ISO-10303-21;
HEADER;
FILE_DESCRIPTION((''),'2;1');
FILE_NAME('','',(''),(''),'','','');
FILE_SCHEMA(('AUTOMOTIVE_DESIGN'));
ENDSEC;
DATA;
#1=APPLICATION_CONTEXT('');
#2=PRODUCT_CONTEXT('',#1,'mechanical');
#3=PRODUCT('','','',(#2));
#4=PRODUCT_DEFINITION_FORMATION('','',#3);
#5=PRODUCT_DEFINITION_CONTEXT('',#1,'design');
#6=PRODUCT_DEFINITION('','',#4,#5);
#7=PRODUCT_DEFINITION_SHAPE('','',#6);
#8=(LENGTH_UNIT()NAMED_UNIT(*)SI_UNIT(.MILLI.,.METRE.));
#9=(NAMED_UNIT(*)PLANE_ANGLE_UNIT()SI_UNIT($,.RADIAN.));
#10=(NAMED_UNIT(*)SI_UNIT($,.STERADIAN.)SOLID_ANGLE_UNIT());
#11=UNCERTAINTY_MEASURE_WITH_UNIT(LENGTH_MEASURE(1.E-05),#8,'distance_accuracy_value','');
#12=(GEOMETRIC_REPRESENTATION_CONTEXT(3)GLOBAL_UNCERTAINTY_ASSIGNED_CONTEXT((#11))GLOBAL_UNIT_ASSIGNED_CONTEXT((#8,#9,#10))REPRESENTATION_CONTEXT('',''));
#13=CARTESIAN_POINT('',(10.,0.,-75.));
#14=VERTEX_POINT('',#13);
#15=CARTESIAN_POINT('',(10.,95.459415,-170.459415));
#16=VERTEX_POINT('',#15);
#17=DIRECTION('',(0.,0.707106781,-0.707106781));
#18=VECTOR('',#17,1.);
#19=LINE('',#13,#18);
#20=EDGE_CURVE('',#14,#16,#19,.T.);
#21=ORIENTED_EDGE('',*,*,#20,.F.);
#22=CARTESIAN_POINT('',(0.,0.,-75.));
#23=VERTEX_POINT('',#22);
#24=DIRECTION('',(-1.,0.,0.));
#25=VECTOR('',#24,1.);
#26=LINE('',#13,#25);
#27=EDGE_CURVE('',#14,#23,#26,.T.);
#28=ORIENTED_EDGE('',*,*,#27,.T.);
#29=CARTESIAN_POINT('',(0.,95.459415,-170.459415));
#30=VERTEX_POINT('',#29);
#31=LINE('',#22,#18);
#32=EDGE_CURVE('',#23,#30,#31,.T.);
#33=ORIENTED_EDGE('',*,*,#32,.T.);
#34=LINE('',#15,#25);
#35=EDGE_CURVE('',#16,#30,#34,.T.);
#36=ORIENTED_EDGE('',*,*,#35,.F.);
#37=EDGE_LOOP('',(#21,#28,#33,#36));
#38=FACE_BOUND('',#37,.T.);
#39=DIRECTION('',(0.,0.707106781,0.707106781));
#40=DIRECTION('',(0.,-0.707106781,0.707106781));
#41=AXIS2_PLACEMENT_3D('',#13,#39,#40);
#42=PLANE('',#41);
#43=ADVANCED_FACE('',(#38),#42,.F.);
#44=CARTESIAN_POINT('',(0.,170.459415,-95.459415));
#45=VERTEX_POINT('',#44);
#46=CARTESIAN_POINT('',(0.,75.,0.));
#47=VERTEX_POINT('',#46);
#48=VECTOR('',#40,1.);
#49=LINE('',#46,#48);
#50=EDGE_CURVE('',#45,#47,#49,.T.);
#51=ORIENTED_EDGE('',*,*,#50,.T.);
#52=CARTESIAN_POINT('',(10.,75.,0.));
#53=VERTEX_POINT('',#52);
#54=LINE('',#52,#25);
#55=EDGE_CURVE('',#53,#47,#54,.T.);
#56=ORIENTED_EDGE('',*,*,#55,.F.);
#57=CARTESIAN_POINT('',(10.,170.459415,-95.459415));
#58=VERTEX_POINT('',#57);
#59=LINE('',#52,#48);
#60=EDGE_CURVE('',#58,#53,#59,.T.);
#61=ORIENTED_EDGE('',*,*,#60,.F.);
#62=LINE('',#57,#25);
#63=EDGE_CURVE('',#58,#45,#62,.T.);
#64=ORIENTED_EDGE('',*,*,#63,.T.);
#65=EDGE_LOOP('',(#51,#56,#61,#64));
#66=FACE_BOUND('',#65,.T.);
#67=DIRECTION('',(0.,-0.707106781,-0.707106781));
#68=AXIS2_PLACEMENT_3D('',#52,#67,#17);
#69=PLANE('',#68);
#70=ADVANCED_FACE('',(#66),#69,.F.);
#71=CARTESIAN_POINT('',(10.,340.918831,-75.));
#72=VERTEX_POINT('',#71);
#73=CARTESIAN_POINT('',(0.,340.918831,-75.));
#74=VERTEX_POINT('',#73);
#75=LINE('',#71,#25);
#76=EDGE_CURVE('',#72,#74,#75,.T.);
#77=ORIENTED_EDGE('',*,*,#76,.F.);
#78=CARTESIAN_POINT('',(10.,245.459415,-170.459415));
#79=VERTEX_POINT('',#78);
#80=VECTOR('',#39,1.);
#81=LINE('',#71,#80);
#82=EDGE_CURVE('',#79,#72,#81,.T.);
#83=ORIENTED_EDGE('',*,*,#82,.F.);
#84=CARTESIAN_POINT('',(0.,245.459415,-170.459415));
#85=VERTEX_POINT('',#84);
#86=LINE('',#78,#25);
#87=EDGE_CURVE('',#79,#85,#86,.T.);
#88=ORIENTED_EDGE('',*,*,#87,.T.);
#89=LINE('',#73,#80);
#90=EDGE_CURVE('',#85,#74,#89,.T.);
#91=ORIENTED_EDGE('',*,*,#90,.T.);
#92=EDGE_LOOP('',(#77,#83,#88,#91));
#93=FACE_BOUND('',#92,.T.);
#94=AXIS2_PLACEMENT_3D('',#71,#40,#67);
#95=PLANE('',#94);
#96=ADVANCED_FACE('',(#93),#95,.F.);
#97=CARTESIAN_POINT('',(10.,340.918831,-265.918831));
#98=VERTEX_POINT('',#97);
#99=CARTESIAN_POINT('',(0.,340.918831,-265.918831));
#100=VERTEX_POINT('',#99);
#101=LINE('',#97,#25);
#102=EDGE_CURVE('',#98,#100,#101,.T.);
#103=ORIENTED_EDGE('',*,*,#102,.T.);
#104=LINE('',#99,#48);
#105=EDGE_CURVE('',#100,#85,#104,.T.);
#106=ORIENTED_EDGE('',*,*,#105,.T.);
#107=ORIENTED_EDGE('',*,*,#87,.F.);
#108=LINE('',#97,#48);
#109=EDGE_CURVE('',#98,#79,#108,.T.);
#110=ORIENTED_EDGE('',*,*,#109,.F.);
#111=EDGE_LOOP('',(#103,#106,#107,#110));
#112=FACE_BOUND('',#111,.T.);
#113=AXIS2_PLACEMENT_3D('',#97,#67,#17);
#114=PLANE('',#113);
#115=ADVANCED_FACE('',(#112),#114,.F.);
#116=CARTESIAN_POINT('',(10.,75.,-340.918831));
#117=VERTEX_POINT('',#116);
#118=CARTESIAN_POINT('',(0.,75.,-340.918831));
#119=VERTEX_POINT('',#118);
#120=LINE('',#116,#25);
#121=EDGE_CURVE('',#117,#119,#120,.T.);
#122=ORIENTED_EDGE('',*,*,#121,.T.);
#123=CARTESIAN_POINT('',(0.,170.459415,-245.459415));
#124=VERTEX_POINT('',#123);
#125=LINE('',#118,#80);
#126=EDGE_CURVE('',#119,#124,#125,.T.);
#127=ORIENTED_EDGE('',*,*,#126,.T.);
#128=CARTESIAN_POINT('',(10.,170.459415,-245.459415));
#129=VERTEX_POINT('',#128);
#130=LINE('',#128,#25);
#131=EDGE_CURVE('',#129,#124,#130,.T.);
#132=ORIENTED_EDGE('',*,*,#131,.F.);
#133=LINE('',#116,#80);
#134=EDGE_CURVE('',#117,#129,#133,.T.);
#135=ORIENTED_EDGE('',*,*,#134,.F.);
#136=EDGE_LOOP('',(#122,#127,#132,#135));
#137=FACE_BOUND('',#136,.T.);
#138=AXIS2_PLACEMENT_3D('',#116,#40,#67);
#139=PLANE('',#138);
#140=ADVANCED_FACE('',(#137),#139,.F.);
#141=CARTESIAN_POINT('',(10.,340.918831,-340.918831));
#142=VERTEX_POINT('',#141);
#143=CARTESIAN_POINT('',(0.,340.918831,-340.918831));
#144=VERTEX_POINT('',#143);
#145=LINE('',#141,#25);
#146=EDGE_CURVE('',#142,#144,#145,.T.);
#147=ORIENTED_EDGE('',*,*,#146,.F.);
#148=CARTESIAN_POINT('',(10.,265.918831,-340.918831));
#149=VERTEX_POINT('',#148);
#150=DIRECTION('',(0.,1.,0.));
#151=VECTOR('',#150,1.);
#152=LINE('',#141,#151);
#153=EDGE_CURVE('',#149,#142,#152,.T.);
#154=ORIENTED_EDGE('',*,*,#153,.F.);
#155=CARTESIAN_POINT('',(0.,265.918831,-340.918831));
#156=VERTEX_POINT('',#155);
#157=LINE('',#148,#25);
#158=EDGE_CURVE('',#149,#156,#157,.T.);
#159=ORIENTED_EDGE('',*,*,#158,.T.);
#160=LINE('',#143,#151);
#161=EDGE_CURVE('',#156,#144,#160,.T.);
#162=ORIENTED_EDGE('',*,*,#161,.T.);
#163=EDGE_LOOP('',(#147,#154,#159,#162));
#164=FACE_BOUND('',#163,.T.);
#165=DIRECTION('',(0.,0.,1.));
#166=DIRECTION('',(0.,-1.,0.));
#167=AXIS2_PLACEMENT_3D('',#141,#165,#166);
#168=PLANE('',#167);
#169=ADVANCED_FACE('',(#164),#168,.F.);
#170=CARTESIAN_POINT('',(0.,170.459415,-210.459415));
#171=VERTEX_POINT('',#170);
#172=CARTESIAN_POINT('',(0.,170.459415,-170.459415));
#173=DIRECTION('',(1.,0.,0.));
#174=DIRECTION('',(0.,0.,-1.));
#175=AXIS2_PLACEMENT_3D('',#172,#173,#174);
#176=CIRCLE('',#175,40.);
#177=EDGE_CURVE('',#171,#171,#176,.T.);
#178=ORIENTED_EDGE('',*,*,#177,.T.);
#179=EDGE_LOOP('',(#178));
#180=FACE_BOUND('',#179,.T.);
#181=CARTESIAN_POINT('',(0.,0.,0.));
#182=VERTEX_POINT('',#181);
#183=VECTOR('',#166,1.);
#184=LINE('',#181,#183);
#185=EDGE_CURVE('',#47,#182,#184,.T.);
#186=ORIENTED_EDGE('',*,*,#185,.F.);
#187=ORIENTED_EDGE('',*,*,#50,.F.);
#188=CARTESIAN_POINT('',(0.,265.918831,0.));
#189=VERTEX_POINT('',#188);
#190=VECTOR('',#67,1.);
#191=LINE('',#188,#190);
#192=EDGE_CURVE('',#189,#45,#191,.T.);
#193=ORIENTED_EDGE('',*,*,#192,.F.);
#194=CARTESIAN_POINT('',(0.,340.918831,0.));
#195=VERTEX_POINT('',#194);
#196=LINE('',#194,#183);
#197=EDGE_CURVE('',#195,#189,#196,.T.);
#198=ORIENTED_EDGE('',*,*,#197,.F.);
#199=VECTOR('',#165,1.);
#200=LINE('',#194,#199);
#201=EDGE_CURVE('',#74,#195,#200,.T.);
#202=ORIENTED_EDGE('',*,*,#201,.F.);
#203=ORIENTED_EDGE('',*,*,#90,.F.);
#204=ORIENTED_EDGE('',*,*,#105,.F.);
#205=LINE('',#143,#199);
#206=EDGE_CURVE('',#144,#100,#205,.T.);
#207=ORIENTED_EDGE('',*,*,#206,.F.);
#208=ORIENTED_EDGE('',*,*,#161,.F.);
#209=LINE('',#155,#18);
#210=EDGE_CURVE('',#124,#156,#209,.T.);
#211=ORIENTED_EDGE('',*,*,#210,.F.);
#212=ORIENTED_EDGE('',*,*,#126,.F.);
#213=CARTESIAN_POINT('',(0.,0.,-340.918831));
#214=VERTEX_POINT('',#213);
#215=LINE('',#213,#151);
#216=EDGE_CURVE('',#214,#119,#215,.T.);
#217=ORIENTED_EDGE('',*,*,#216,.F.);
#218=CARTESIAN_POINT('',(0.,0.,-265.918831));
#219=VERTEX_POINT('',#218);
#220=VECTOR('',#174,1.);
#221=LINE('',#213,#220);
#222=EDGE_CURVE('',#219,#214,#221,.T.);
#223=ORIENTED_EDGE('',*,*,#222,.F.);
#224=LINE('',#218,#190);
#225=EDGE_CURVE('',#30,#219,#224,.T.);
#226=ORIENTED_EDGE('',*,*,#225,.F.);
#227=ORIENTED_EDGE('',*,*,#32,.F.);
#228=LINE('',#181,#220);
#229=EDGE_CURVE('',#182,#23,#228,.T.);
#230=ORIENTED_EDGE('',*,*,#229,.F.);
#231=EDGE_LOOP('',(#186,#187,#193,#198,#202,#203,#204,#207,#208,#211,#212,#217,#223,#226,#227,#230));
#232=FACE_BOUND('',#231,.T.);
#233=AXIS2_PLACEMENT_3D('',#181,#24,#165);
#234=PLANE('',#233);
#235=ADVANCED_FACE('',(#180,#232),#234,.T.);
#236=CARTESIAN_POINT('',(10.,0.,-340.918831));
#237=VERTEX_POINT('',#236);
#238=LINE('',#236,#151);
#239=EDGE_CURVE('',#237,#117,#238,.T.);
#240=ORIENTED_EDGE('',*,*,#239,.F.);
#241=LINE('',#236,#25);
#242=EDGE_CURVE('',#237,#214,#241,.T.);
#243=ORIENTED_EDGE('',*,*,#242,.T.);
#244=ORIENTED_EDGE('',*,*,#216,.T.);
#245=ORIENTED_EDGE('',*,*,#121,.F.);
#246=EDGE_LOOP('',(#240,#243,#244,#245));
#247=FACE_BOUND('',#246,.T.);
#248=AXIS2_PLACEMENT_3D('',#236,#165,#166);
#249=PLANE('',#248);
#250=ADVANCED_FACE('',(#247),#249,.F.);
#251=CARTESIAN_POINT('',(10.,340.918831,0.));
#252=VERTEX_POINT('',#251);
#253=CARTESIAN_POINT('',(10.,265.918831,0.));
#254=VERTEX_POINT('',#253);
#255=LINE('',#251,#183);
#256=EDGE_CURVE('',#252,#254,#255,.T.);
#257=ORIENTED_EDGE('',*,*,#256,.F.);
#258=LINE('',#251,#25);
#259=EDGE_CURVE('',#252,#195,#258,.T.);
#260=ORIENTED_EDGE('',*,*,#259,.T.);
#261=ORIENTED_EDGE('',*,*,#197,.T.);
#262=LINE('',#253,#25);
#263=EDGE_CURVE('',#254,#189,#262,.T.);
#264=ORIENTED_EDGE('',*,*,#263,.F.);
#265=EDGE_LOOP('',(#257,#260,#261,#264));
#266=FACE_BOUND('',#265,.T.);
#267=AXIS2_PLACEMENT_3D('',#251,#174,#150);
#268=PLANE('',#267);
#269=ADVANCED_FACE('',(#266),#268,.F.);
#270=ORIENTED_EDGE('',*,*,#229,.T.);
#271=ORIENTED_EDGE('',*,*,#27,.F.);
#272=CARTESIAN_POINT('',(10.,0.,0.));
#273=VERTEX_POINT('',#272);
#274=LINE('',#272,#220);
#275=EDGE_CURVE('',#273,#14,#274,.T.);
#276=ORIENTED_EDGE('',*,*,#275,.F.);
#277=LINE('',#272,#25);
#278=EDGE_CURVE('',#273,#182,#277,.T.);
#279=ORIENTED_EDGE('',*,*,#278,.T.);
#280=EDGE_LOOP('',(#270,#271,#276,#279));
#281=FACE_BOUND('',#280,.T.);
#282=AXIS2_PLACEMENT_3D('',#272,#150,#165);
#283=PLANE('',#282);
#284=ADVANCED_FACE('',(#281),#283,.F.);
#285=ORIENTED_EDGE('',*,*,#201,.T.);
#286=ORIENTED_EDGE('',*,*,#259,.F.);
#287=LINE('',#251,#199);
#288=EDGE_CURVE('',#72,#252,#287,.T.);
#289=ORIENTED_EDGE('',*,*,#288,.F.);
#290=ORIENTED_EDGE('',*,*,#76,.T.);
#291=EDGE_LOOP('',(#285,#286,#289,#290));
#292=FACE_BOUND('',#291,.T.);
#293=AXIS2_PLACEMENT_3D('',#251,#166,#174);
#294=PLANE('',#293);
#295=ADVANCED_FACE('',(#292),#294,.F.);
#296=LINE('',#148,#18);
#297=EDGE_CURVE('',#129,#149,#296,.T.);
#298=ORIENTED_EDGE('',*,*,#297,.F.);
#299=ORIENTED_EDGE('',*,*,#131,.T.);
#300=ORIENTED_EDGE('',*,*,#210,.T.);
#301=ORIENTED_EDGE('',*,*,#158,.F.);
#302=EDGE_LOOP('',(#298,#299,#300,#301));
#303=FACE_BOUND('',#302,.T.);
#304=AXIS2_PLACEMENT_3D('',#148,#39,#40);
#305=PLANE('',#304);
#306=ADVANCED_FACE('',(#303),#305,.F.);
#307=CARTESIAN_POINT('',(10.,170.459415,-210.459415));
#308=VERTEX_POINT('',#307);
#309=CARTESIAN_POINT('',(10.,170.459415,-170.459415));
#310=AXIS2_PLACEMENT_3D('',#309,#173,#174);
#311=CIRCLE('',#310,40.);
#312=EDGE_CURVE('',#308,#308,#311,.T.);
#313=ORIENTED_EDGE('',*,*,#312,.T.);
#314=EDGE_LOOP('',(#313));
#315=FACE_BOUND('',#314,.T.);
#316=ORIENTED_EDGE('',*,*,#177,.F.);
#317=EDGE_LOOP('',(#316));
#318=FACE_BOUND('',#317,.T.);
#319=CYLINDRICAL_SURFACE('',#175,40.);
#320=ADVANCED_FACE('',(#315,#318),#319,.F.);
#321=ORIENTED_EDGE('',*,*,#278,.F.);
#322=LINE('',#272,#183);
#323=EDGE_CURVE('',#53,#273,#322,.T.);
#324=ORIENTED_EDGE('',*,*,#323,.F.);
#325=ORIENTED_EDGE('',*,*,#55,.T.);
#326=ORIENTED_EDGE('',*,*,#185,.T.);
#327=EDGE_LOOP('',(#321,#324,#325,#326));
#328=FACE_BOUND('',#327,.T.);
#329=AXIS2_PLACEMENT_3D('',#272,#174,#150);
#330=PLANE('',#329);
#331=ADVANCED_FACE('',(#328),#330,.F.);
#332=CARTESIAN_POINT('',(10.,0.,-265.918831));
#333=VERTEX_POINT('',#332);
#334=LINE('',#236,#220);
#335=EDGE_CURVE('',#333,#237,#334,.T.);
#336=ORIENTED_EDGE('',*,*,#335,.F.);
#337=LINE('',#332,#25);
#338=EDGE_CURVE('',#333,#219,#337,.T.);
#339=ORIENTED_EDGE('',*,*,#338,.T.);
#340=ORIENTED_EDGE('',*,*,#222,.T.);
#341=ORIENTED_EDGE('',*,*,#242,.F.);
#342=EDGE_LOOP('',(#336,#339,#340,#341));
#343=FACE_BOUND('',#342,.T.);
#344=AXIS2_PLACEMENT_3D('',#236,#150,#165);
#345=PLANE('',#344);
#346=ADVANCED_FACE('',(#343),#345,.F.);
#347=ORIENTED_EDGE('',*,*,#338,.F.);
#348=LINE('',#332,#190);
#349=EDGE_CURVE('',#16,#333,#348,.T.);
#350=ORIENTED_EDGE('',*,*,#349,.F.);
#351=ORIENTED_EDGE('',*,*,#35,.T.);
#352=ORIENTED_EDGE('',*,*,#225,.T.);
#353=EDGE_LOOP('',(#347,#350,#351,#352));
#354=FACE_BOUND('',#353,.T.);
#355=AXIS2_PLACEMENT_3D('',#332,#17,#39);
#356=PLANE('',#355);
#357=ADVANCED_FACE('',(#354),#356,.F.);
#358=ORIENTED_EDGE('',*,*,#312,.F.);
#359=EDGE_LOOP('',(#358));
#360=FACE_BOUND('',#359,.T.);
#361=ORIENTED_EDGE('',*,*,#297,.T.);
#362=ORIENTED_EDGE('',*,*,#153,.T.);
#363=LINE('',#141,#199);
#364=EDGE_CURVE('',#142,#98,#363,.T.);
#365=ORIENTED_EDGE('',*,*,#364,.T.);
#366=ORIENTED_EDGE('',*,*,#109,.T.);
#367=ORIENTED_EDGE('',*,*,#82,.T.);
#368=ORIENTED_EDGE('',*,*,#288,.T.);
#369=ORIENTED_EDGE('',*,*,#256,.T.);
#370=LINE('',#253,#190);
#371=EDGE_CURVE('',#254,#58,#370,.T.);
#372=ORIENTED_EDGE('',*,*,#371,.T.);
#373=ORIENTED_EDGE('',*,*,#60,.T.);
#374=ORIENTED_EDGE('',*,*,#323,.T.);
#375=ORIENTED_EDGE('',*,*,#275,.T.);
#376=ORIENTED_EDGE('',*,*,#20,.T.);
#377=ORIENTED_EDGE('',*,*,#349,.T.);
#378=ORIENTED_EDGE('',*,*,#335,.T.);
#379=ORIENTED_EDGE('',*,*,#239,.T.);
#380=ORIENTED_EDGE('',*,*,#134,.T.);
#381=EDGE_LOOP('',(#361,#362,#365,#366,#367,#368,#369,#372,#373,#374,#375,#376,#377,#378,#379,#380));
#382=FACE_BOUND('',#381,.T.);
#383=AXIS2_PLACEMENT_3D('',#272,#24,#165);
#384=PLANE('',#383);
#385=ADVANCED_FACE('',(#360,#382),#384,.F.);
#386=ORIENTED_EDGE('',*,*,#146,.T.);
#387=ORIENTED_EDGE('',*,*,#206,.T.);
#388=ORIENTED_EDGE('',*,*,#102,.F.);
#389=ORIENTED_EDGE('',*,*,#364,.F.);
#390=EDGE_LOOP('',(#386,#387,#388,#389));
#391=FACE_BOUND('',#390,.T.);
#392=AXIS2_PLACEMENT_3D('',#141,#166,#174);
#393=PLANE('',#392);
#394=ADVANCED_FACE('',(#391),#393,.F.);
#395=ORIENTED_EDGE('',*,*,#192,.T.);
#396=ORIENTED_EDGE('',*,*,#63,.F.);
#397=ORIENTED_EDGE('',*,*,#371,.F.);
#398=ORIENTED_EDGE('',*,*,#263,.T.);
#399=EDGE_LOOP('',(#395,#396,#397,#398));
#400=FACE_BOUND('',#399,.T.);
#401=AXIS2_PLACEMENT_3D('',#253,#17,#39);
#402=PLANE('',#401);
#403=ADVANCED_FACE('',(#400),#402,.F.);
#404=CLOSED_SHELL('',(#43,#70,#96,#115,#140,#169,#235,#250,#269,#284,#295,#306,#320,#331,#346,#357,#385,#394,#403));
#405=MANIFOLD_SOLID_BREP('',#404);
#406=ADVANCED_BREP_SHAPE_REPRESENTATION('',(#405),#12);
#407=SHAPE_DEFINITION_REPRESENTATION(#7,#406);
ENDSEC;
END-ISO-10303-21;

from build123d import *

# Parameters (mm, degrees)
BOSS_EXTRUDE2_DEPTH = 10
SKETCH3_R           = 40
CUT_EXTRUDE1_DEPTH  = 10


with BuildPart() as part:
    # Sketch1 → Boss-Extrude2 (new body)
    with BuildSketch(Plane(origin=(0, 0, 0), x_dir=(0, 0, -1), z_dir=(1, 0, 0))):
        Polygon((0, 0), (75, 0), (170.45941546, 95.45941546), (265.91883092, 0), (340.91883092, 0), (340.91883092, 75), (245.45941546, 170.45941546), (340.91883092, 265.91883092), (340.91883092, 340.91883092), (265.91883092, 340.91883092), (170.45941546, 245.45941546), (75, 340.91883092), (0, 340.91883092), (0, 265.91883092), (95.45941546, 170.45941546), (0, 75), align=None)
    extrude(amount=BOSS_EXTRUDE2_DEPTH)

    # Sketch3 → Cut-Extrude1 (cut)
    with BuildSketch(Plane(origin=(10, 0, 0), x_dir=(0, 0, -1), z_dir=(1, 0, 0))):
        with Locations((170.45941546, 170.45941546)):
            Circle(SKETCH3_R)
    extrude(amount=-CUT_EXTRUDE1_DEPTH, mode=Mode.SUBTRACT)


solid = part.part
